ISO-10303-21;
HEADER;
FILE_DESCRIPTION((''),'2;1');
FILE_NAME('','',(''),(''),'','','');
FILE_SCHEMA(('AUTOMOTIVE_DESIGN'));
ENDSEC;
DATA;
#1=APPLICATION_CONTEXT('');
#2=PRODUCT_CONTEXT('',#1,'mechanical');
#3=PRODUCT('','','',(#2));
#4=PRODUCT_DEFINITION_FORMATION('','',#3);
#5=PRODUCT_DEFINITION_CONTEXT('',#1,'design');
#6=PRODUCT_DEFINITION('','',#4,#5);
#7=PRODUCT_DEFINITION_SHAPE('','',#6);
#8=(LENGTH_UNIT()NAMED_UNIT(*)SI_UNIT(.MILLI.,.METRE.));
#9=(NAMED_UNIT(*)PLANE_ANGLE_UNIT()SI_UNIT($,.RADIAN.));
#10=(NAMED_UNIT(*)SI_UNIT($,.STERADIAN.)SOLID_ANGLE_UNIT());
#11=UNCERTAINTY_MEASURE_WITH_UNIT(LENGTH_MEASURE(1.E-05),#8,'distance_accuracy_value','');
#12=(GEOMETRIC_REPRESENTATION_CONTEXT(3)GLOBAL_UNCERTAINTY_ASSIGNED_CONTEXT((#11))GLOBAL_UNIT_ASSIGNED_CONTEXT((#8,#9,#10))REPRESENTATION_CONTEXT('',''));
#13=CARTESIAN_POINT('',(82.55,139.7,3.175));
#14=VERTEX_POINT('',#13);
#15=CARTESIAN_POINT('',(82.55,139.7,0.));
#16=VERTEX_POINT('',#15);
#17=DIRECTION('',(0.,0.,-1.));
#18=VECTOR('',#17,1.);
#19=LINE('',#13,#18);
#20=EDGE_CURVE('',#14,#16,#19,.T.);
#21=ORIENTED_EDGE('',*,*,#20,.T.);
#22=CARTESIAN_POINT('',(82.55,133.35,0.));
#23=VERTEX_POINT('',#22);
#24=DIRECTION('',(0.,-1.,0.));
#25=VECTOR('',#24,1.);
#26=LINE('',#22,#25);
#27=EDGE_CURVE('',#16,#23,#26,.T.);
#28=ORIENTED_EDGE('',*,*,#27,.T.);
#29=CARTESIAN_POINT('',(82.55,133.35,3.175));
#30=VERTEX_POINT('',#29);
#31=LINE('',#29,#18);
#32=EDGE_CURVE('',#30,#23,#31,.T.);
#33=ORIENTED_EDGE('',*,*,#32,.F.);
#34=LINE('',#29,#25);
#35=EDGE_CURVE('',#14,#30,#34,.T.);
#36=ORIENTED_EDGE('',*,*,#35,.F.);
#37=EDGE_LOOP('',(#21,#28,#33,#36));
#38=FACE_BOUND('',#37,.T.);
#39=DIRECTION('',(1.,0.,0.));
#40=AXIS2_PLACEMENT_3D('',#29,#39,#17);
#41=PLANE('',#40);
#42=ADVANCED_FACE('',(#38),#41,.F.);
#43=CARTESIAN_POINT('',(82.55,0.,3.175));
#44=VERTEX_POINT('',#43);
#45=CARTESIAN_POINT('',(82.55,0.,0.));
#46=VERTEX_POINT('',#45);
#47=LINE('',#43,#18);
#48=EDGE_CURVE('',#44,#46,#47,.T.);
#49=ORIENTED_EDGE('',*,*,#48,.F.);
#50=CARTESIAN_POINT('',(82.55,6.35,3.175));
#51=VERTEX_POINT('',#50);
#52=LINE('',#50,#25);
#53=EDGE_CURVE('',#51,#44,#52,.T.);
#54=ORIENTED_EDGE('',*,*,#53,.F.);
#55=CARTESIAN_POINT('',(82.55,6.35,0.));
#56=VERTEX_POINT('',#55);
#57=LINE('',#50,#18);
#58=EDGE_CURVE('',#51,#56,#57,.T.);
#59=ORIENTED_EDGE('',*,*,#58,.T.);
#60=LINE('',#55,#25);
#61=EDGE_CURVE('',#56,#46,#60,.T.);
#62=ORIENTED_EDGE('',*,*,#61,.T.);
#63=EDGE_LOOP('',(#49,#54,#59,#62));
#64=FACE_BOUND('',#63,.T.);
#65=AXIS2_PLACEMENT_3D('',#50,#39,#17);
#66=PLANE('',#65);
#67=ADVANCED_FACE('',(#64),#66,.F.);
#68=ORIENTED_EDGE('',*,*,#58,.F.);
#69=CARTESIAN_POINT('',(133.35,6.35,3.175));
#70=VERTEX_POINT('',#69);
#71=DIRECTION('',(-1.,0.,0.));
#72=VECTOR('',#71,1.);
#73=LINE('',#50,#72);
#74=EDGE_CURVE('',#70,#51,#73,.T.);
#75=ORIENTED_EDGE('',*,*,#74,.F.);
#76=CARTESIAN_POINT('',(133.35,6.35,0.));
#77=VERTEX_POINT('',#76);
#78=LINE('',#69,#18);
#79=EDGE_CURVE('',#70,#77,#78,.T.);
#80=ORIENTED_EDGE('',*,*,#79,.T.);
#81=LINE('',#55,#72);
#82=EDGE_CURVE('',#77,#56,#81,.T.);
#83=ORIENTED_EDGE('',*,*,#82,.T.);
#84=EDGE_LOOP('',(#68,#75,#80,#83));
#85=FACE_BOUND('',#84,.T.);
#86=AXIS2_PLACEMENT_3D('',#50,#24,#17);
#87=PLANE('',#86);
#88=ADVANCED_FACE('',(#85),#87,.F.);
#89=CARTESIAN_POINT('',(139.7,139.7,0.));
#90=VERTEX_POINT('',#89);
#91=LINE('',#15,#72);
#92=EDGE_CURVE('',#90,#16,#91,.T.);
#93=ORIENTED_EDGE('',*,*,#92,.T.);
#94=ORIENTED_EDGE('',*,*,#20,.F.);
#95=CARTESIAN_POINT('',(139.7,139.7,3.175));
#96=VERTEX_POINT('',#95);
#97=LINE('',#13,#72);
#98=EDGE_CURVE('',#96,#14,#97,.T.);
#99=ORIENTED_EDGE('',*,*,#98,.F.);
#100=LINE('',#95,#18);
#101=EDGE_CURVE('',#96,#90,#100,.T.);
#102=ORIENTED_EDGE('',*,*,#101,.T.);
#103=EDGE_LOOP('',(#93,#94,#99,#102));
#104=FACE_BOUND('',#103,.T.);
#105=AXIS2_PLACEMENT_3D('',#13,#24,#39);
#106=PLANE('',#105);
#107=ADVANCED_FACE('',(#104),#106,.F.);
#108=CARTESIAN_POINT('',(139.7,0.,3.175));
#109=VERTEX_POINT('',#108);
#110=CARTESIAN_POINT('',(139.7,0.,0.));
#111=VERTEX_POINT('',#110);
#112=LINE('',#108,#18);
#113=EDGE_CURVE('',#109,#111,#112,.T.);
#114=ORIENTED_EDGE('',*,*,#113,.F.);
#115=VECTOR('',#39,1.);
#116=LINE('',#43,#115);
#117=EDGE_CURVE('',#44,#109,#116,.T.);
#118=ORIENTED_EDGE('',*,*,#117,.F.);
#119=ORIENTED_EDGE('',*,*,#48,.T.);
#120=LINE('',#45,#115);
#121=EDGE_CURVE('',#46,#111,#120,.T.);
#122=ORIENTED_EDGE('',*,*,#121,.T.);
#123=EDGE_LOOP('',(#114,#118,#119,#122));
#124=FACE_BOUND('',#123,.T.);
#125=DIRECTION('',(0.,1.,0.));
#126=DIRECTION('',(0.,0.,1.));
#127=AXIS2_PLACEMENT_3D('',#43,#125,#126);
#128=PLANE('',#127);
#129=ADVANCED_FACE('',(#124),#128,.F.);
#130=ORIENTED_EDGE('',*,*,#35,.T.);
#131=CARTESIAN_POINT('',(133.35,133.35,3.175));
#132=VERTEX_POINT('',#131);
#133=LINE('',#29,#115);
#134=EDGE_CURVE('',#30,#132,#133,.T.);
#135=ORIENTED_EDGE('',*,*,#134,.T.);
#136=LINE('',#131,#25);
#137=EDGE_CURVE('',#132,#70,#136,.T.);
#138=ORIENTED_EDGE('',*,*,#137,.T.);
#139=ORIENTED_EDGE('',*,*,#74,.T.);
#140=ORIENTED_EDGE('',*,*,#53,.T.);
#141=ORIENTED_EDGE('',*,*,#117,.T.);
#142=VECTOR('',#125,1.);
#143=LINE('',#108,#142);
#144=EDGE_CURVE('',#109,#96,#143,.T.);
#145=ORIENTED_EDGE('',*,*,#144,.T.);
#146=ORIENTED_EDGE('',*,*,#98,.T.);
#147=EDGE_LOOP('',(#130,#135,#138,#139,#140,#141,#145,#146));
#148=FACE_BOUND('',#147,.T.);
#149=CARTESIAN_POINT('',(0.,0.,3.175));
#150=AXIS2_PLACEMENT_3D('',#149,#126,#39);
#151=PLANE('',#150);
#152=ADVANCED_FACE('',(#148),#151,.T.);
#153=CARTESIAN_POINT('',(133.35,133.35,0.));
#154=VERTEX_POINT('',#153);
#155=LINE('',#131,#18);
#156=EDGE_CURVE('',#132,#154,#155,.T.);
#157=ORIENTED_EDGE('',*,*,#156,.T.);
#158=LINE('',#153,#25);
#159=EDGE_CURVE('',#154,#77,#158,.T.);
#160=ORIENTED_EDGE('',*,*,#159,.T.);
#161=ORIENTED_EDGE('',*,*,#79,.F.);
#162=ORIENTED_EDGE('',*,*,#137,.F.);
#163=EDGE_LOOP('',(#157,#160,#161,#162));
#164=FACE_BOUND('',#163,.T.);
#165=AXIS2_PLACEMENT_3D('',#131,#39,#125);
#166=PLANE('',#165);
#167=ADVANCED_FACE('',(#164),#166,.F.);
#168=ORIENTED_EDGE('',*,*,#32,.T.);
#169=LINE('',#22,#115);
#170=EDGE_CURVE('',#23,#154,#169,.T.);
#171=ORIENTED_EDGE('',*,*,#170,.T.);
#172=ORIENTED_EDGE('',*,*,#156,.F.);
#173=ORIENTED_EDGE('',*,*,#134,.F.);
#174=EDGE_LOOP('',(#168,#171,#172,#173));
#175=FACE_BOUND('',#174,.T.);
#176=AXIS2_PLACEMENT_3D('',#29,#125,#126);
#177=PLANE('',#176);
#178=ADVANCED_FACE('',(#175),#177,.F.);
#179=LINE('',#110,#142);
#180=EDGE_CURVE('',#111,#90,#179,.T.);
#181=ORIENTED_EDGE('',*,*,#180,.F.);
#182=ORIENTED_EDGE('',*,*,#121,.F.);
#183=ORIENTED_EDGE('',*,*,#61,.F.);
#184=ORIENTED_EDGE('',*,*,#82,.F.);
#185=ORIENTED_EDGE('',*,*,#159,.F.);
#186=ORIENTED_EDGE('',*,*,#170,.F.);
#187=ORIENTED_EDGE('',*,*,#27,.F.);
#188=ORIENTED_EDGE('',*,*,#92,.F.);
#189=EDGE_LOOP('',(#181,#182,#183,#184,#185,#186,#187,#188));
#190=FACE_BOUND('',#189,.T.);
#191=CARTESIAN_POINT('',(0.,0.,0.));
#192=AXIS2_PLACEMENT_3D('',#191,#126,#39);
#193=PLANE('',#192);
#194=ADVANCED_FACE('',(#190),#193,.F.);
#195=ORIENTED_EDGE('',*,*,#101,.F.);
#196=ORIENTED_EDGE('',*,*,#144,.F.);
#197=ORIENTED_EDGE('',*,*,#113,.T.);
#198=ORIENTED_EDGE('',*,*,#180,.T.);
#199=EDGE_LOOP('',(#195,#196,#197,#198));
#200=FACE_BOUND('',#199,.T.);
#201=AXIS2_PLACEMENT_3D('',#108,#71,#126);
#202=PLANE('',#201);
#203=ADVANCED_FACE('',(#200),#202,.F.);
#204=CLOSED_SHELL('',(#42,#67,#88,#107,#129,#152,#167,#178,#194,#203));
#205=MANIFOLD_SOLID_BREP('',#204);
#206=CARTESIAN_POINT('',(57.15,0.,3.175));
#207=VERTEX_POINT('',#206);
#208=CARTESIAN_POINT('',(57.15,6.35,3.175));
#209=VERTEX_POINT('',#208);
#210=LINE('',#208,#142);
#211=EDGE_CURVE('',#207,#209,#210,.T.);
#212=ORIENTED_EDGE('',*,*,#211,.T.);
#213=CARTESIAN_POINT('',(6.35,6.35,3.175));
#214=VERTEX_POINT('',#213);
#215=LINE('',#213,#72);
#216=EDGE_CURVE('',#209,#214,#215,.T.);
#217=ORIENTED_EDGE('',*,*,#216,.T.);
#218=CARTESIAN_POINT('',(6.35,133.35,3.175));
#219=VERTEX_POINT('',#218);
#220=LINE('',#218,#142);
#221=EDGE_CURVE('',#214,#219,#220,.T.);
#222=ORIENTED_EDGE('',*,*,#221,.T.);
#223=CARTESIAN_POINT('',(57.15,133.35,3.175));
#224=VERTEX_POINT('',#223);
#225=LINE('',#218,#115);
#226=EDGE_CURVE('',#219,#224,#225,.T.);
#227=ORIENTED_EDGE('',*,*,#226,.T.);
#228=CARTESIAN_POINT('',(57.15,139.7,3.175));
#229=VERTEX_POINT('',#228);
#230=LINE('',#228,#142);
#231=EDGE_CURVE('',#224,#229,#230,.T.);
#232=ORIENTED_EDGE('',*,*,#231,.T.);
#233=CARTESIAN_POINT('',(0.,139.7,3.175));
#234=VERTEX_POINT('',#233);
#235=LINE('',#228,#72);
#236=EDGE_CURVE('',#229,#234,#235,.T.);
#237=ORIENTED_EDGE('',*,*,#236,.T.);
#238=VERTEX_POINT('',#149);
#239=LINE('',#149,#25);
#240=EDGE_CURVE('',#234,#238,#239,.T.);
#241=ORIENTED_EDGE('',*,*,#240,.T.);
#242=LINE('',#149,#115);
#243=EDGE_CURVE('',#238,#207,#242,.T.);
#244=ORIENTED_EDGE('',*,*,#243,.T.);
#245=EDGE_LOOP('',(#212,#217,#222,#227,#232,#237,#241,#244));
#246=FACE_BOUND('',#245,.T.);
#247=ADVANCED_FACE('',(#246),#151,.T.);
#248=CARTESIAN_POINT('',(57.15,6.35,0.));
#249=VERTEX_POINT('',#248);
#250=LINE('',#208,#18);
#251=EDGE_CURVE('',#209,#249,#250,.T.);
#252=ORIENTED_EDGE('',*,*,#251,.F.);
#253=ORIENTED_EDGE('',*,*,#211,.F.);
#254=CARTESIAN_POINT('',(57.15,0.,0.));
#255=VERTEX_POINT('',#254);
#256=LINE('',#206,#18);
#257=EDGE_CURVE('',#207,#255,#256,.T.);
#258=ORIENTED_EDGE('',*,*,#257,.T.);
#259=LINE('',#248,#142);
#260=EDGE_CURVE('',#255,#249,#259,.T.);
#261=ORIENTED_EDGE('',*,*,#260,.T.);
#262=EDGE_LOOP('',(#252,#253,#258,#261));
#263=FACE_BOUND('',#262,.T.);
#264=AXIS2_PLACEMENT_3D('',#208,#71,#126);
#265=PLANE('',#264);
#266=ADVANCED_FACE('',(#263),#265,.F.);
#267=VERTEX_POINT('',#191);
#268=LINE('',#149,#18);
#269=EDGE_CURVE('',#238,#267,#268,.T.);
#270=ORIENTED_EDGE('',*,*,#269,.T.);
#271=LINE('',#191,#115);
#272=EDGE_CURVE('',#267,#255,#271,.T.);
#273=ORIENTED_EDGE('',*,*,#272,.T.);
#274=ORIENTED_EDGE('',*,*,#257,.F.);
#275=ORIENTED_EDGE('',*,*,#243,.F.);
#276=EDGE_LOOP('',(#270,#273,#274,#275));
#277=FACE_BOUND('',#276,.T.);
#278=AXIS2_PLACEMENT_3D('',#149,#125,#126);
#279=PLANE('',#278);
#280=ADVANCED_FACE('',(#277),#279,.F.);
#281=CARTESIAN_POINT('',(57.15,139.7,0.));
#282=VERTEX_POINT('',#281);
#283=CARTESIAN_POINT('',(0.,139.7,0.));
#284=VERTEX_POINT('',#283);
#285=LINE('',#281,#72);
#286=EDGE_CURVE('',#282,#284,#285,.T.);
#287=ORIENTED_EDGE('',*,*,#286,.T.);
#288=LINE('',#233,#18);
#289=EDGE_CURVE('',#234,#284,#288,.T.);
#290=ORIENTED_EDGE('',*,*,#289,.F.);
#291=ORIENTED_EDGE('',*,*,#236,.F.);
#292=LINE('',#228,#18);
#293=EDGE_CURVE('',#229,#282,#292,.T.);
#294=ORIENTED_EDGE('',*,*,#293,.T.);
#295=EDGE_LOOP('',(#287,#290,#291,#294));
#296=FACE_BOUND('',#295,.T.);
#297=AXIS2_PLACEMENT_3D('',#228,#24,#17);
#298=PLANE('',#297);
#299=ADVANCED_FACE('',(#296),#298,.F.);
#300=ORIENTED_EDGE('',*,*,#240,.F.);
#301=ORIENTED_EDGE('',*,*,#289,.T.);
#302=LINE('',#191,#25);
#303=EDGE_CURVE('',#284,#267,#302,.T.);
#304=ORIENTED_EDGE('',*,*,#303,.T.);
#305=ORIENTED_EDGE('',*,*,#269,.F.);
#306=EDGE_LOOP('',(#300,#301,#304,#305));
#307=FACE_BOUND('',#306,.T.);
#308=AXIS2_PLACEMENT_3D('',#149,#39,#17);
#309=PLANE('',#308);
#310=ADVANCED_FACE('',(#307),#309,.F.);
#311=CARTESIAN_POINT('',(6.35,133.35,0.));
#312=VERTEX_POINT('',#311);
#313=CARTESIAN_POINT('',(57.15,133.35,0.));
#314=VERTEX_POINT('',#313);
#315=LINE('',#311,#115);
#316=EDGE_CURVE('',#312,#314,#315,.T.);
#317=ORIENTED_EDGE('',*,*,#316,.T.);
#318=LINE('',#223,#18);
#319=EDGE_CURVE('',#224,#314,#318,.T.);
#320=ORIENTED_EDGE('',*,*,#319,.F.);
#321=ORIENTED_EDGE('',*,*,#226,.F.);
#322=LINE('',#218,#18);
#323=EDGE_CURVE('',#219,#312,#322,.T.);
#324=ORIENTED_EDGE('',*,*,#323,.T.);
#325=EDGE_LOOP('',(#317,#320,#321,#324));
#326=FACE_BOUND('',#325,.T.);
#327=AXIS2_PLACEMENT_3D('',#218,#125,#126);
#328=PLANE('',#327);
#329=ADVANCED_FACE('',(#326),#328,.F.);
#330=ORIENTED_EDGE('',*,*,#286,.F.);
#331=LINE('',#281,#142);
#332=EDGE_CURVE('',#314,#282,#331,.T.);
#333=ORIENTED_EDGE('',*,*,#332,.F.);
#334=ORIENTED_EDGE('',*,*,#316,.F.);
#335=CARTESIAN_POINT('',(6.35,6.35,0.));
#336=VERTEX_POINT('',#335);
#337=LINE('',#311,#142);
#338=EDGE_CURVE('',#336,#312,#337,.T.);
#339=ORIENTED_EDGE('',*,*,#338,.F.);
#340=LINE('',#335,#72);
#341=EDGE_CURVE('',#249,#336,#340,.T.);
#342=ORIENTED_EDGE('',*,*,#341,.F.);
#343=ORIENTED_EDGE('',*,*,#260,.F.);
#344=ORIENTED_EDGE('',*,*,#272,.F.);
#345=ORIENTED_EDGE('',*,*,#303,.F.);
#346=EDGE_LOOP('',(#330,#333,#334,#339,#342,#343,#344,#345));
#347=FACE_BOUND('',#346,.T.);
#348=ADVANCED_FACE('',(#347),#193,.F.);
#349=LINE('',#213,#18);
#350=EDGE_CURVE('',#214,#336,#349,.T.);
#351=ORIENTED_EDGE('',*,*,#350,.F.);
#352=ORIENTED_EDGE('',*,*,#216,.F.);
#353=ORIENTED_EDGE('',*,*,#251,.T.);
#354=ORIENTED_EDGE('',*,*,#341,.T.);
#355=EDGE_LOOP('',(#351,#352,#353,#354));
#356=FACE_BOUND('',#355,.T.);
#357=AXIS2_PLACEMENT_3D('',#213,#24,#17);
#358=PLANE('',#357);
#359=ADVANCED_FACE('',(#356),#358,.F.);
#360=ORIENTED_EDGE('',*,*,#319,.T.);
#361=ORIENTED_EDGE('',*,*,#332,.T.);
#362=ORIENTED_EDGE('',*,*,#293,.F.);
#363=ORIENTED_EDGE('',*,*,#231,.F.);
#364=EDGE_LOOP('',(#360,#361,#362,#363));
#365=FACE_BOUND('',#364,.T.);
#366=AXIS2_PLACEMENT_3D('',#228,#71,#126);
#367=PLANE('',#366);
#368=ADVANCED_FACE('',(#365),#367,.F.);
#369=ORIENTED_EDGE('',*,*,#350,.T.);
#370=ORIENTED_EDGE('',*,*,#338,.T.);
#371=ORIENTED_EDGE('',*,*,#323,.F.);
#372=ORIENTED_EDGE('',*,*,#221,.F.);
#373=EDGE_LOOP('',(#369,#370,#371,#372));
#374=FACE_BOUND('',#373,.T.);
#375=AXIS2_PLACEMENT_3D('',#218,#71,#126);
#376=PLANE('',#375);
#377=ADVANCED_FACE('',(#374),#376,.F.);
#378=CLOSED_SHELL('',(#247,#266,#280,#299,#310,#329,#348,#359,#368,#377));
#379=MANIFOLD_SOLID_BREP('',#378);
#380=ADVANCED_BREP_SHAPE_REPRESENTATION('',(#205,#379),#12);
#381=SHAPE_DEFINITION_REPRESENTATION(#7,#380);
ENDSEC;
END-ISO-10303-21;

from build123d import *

# Parameters (mm, degrees)
BOSS_EXTRUDE1_DEPTH   = 3.175
BOSS_EXTRUDE1_2_DEPTH = 3.175


with BuildPart() as part:
    # Sketch1 → Boss-Extrude1 (new body)
    with BuildSketch(Plane.XY):
        Polygon((57.15, 6.35), (57.15, 0), (0, 0), (0, 139.7), (57.15, 139.7), (57.15, 133.35), (6.35, 133.35), (6.35, 6.35), align=None)
    extrude(amount=BOSS_EXTRUDE1_DEPTH)


with BuildPart() as body_2:
    # Sketch1 → Boss-Extrude1 2 (new body)
    with BuildSketch(Plane.XY):
        Polygon((82.55, 0), (139.7, 0), (139.7, 139.7), (82.55, 139.7), (82.55, 133.35), (133.35, 133.35), (133.35, 6.35), (82.55, 6.35), align=None)
    extrude(amount=BOSS_EXTRUDE1_2_DEPTH)


solid = Compound([part.part, body_2.part])
